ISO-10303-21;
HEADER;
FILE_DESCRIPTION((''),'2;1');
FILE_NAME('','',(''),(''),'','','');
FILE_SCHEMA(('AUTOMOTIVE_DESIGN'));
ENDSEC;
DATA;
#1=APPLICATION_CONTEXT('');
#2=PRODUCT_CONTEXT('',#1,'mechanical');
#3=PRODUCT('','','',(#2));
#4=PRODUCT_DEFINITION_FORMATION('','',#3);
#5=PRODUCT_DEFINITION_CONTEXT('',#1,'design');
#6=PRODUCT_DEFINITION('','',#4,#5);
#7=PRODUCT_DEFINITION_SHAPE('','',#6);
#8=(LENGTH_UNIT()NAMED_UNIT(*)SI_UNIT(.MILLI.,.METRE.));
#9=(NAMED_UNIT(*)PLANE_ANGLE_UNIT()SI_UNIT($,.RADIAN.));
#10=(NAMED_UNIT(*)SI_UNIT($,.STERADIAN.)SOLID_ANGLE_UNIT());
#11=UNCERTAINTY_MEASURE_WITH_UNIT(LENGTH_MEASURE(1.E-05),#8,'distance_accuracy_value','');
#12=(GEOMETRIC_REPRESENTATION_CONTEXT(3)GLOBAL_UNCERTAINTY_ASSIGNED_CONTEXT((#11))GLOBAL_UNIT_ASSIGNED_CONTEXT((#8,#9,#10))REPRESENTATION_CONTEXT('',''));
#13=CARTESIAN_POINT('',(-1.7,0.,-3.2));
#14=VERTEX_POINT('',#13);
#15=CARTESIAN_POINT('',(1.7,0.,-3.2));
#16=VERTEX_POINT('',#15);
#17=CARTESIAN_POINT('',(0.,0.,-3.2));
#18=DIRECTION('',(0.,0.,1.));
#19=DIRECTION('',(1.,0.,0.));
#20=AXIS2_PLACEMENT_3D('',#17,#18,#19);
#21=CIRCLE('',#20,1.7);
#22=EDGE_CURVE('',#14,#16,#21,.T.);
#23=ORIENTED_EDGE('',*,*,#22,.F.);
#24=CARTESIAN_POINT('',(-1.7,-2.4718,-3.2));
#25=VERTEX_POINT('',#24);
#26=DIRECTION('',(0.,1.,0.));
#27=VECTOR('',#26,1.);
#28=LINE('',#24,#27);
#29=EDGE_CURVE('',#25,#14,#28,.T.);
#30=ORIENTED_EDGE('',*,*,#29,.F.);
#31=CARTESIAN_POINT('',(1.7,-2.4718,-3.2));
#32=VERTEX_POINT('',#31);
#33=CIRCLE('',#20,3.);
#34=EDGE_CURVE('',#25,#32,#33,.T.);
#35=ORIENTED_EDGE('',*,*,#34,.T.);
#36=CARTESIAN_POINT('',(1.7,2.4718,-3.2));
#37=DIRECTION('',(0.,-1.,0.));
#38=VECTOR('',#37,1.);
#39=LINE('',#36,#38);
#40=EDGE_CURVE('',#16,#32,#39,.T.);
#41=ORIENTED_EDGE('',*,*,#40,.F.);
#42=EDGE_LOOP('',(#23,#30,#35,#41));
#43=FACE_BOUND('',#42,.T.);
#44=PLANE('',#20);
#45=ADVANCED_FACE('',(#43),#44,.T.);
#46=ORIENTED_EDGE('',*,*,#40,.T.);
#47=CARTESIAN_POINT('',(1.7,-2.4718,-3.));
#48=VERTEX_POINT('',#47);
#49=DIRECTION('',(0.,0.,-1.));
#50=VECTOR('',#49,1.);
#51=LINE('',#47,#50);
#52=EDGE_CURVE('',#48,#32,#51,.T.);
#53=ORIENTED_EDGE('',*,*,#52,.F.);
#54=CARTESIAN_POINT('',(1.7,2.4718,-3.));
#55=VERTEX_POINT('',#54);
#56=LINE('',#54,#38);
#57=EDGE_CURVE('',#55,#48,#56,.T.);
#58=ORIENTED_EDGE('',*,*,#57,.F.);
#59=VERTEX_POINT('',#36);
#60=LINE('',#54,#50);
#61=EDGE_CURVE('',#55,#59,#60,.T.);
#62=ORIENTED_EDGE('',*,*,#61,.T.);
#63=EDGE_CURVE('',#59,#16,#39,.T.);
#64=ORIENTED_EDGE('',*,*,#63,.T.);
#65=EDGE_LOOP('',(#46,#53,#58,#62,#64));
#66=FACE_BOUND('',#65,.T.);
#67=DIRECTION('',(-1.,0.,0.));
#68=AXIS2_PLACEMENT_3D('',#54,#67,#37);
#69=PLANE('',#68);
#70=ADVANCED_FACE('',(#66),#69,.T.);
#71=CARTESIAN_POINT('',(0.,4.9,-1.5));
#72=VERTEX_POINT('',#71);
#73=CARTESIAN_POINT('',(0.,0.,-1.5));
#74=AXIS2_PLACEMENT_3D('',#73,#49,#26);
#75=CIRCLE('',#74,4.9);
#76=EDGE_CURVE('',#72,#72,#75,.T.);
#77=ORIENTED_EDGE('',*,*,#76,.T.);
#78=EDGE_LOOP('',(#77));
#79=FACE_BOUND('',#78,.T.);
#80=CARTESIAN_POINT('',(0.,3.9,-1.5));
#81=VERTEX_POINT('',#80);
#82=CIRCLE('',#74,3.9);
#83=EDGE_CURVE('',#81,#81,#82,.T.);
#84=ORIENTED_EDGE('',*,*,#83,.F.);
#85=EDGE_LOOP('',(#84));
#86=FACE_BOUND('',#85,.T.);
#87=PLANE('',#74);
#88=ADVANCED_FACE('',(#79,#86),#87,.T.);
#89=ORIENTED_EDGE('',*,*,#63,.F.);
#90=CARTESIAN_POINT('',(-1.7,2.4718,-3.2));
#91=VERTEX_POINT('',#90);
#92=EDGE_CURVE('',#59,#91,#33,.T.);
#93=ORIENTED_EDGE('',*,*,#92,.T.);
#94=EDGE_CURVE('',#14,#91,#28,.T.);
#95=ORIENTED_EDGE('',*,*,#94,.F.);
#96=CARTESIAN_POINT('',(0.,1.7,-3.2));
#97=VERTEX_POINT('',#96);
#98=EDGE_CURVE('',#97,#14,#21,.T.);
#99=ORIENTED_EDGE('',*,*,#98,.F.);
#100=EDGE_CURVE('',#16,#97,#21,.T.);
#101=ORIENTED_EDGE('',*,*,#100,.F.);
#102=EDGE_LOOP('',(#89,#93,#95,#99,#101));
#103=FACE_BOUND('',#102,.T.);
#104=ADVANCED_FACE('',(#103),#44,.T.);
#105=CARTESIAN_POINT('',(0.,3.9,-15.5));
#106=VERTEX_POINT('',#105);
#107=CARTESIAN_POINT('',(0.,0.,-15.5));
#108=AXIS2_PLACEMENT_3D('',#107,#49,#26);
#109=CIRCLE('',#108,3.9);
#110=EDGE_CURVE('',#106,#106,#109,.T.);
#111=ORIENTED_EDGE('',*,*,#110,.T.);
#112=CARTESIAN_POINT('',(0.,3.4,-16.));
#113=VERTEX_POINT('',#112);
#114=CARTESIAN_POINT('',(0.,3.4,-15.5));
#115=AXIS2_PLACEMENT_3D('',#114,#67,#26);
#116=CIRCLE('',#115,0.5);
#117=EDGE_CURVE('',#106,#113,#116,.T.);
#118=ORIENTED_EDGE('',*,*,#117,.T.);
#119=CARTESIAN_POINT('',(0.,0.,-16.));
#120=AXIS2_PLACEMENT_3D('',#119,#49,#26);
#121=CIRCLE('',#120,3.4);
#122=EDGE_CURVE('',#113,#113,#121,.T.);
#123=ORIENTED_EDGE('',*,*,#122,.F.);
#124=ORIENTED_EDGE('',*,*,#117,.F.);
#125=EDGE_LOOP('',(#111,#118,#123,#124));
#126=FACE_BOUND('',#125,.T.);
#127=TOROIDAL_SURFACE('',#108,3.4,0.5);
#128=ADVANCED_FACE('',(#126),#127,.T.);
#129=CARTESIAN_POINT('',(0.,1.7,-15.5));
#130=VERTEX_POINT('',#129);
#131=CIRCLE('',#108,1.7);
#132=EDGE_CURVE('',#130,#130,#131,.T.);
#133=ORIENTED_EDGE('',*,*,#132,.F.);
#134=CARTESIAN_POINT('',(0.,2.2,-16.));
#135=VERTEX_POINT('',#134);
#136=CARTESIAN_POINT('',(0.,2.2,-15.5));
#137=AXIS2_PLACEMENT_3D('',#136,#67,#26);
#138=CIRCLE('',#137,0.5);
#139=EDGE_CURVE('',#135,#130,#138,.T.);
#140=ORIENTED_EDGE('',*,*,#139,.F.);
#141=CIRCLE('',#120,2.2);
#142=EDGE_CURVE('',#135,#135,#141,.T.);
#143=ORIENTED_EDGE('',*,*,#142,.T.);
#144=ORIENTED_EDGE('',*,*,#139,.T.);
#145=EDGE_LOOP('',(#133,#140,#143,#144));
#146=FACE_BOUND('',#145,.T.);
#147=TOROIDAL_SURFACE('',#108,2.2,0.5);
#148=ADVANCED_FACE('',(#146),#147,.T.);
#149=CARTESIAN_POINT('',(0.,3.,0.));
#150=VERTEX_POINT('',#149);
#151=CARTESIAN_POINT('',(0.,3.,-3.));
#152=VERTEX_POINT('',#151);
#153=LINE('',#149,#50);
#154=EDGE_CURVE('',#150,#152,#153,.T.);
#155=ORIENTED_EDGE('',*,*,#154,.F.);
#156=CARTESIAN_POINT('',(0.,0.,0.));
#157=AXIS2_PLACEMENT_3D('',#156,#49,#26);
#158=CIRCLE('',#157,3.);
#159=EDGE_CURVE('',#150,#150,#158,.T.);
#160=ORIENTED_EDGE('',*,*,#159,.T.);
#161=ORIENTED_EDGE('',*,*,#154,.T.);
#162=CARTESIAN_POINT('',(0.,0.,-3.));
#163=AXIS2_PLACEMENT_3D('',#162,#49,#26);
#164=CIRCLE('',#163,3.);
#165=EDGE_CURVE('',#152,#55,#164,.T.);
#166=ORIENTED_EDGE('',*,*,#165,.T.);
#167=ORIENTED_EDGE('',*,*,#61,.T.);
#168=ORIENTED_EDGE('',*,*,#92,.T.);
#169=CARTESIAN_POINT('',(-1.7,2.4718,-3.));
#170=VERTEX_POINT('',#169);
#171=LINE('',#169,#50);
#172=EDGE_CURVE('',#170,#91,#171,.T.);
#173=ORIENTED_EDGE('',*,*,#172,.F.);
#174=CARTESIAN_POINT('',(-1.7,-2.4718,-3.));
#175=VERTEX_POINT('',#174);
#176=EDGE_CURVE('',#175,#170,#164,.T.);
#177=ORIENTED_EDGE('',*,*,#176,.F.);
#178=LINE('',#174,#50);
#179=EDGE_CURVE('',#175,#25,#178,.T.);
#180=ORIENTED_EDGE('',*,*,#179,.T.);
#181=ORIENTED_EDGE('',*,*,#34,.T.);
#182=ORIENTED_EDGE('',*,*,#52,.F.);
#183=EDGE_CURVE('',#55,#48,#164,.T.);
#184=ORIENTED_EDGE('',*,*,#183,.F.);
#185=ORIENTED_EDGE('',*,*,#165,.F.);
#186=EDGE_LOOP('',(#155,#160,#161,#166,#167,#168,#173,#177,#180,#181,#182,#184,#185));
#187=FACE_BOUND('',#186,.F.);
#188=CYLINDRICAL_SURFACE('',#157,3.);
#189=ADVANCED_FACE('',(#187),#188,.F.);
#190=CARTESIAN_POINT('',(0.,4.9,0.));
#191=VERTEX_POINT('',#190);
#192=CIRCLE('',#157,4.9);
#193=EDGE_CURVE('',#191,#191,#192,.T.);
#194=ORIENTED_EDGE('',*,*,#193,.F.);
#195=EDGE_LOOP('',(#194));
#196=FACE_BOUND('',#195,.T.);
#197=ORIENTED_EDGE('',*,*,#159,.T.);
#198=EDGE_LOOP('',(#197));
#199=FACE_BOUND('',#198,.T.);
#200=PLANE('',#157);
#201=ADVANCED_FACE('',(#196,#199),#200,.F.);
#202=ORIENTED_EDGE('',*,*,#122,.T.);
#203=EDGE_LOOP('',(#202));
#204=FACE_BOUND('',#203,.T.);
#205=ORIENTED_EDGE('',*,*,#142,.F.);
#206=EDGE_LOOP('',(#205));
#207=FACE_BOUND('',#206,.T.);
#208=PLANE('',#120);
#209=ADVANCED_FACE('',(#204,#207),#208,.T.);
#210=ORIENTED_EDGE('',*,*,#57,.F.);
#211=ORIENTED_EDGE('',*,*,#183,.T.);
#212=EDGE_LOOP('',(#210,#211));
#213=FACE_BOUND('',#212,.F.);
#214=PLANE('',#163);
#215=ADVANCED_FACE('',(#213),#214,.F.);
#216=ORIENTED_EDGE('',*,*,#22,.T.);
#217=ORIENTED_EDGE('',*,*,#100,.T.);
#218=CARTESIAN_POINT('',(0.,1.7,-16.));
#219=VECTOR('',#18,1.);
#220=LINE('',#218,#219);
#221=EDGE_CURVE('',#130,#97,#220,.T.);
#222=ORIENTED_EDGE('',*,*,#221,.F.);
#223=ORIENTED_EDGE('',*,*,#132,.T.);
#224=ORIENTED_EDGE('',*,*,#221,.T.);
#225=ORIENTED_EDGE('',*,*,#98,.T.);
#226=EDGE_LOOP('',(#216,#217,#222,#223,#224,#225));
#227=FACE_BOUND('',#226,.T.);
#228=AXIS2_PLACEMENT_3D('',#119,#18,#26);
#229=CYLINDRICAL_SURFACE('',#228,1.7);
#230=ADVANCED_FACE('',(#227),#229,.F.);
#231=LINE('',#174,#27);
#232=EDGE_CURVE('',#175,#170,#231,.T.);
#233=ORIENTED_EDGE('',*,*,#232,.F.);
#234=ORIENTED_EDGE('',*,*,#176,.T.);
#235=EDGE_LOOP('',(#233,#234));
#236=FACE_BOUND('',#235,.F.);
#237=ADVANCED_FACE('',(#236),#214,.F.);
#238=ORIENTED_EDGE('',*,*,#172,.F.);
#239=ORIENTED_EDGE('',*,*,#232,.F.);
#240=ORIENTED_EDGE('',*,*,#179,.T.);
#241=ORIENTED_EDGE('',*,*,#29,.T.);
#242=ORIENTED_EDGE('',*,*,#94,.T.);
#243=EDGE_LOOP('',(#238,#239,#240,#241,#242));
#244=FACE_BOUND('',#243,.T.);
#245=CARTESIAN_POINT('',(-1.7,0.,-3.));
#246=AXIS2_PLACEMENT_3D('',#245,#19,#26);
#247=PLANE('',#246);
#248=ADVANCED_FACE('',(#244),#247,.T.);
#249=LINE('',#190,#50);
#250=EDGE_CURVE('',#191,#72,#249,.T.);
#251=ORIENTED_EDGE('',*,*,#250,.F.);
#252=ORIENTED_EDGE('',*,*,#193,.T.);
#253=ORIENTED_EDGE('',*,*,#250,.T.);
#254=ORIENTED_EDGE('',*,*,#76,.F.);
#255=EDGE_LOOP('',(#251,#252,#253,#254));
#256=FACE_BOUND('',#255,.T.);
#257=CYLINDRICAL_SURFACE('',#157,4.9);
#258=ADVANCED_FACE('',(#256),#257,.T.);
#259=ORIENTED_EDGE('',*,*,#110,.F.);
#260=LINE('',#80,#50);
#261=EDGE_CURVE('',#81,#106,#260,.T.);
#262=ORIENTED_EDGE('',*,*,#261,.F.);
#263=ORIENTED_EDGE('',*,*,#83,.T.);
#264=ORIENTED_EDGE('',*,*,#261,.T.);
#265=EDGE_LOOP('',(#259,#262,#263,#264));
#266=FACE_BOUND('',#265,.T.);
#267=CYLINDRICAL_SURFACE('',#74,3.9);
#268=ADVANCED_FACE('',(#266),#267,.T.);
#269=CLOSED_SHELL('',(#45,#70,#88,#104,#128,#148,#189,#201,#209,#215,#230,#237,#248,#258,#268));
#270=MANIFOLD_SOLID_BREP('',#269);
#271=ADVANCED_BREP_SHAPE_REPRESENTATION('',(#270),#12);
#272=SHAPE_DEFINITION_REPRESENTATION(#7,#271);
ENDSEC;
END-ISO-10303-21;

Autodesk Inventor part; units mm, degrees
ref_plane "YZ Plane" through (0, 0, 0) normal (1, 0, 0) x (0, 1, 0)
ref_plane "XZ Plane" through (0, 0, 0) normal (0, 1, 0) x (-1, 0, 0)
ref_plane "XY Plane" through (0, 0, 0) normal (0, 0, 1) x (1, 0, 0)
sketch "Sketch1" plane through (0, 0, 0) normal (1, 0, 0) x (0, 1, 0)
  line L0 (0, 0) -> (1.65, 0) construction
  line L1 (1.65, 0) -> (3, 0) construction
  line L2 (4.9, 0) -> (4.9, -1.5)
  line L3 (4.9, -1.5) -> (3.9, -1.5)
  line L4 (3.9, -1.5) -> (3.9, -16)
  line L5 (3.9, -16) -> (1.7, -16)
  line L6 (1.7, -16) -> (1.7, -3)
  line L7 (0, 0) -> (0, -13.7466) construction
  line L8 (3, 0) -> (3, -3)
  line L9 (3, -3) -> (1.7, -3)
  line L10 (3, 0) -> (4.9, 0)
  dimension "d0" = 1.7
  dimension "d1" = 3.9
  dimension "d2" = 1
  dimension "d3" = 1.5
  dimension "d4" = 14.5
  dimension "d6" = 3
  dimension "d7" = 3
revolve "Revolution1" add sketch "Sketch1" angle 360 about axis through (0, 0, 0) along (0, 0, -1)
fillet "Fillet1" radius 0.5 2 edges at (0, -1.7, -16) (0, -3.9, -16)
sketch "Sketch2" plane through (0, 0, -3) normal (0, 0, 1) x (1, 0, 0)
  circle A0 centre (0, 0) radius 3 projected
  line L0 (-1.7, 2.4718) -> (1.7, 2.4718) construction
  line L1 (1.7, 2.4718) -> (1.7, -2.4718)
  line L2 (1.7, -2.4718) -> (-1.7, -2.4718) construction
  line L3 (-1.7, -2.4718) -> (-1.7, 2.4718)
  circle A1 centre (0, 0) radius 1.7 projected
  point P0 (-1.7, 0)
  point P1 (1.7, 0)
extrude "Extrusion1" cut sketch "Sketch2" against normal blind 0.2 contours L1 A1 L3 A0 | A0 L3 A1 L1
properties part number "HD_BearingShaft2"
